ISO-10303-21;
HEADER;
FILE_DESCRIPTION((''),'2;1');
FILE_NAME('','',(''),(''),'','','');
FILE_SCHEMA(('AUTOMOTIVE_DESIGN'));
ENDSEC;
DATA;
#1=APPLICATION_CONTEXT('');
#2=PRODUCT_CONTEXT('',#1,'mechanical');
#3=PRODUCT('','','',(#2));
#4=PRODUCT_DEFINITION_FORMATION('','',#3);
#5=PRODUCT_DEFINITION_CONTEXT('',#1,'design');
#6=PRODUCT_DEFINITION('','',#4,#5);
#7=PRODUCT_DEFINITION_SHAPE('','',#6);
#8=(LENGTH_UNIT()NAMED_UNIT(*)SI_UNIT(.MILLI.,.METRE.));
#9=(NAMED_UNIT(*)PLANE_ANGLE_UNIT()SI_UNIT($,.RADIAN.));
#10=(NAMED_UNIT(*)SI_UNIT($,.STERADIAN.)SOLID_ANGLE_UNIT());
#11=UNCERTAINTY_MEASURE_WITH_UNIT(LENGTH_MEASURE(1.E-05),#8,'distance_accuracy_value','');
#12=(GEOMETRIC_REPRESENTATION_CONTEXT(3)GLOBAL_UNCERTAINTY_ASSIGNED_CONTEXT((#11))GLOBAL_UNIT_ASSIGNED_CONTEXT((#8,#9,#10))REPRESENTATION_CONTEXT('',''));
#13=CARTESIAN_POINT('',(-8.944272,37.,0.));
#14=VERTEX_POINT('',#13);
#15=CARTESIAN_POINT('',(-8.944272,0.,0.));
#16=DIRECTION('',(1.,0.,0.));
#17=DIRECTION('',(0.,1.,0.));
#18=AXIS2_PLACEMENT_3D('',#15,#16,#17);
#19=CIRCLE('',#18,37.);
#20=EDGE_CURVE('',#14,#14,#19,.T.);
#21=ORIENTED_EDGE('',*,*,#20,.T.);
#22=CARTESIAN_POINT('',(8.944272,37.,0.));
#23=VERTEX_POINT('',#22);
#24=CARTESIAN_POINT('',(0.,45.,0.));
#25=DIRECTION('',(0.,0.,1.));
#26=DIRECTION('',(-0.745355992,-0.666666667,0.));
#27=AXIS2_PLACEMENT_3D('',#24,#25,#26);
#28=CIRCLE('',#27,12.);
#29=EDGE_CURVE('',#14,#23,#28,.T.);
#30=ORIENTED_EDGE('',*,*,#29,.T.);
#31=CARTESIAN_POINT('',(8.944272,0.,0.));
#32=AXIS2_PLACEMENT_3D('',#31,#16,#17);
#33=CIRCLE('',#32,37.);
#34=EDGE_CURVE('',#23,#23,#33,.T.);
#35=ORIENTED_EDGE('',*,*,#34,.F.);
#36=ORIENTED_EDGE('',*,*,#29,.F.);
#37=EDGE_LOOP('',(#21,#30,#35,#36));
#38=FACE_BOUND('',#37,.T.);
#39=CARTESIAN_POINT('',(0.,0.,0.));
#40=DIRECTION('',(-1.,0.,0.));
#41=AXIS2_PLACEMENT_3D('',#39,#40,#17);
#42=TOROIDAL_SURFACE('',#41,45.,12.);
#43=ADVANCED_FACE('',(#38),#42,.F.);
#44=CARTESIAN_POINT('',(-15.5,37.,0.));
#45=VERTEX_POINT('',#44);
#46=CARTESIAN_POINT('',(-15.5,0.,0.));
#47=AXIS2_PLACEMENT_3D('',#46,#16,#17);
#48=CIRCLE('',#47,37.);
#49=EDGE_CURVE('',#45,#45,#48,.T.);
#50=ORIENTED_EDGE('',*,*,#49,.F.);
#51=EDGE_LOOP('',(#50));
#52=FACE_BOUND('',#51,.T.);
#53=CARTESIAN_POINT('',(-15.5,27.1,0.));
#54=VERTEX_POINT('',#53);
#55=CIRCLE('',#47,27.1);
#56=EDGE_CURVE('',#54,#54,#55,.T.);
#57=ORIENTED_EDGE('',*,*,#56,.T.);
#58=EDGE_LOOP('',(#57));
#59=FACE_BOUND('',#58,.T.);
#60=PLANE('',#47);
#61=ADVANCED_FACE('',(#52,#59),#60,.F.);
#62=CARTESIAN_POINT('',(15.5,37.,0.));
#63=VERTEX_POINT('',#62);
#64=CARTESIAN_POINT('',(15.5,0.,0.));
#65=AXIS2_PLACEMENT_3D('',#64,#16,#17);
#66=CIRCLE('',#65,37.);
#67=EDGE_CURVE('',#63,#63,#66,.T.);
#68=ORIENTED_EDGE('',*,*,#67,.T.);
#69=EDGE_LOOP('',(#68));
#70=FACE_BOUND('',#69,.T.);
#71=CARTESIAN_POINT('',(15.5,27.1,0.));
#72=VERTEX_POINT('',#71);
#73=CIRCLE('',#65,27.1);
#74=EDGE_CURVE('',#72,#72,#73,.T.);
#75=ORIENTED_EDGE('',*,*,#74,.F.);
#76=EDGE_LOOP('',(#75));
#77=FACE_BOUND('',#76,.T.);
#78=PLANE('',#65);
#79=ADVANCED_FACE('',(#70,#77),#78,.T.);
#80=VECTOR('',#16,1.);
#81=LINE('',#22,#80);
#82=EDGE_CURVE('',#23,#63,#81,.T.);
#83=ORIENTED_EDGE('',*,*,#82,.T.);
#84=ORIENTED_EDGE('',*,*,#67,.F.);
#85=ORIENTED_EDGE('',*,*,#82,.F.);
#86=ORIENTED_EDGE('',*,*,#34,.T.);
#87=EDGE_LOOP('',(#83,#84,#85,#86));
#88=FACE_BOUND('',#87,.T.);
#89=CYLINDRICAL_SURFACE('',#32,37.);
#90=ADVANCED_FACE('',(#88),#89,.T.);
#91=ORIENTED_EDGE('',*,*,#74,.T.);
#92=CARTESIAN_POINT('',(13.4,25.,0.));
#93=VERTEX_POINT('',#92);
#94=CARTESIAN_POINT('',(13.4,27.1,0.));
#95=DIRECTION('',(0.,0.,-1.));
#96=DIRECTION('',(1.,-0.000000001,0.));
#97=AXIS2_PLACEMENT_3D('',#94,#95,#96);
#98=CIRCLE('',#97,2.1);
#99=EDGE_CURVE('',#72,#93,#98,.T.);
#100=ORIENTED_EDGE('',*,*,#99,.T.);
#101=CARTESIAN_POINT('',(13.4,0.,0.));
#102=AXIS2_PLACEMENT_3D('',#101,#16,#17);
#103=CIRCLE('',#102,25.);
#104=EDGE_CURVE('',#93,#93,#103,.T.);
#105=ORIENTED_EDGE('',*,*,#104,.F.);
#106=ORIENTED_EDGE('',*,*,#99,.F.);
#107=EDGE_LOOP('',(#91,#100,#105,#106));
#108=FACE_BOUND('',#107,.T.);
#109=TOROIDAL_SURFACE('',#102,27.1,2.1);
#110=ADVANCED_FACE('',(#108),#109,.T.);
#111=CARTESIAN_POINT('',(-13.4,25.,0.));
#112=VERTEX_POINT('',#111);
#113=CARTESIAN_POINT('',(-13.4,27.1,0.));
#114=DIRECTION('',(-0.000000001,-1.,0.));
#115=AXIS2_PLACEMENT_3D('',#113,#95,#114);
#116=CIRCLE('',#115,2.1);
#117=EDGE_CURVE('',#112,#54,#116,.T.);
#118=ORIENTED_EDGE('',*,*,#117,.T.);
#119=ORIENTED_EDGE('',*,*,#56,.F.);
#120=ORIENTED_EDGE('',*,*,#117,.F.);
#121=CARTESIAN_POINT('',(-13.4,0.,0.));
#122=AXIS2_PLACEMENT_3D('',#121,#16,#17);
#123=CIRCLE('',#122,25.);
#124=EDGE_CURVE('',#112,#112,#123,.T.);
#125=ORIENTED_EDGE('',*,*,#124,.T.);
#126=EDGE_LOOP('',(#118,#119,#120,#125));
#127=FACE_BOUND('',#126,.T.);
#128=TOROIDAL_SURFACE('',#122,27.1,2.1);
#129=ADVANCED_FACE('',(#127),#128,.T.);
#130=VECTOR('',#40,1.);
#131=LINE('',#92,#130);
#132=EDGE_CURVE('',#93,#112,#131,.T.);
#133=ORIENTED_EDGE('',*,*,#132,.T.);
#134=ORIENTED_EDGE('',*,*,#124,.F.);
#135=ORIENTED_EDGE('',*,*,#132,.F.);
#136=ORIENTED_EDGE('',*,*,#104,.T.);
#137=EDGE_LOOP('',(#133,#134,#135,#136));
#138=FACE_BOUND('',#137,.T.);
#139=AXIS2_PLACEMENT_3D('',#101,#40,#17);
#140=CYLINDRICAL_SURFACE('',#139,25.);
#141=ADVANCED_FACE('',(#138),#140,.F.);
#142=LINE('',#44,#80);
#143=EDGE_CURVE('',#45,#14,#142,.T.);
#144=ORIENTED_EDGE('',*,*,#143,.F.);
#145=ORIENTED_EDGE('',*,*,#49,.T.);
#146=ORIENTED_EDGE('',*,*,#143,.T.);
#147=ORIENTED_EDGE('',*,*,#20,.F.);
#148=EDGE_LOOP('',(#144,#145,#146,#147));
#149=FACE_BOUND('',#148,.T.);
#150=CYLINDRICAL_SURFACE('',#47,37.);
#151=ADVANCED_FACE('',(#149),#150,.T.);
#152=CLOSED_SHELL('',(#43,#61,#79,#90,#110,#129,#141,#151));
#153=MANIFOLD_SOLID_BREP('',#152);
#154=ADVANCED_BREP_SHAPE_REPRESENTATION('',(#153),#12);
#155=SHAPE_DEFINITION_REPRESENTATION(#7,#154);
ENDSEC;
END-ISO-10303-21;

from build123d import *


with BuildPart() as part:
    # Sketch1 → Revolve1 (revolve)
    with BuildSketch(Plane.XY):
        with BuildLine():
            Line((-15.5, 37), (-8.94427191, 37))
            ThreePointArc((-8.94427191, 37), (0, 33), (8.94427191, 37))
            Line((8.94427191, 37), (15.5, 37))
            Line((15.5, 37), (15.5, 27.1))
            ThreePointArc((15.5, 27.1), (14.88492424, 25.61507576), (13.4, 25))
            Line((13.4, 25), (-13.4, 25))
            ThreePointArc((-13.4, 25), (-14.88492424, 25.61507576), (-15.5, 27.1))
            Line((-15.5, 27.1), (-15.5, 37))
        make_face()
    revolve(axis=Axis((-27.136752137, 0, 0), (1, 0, 0)))


solid = part.part
